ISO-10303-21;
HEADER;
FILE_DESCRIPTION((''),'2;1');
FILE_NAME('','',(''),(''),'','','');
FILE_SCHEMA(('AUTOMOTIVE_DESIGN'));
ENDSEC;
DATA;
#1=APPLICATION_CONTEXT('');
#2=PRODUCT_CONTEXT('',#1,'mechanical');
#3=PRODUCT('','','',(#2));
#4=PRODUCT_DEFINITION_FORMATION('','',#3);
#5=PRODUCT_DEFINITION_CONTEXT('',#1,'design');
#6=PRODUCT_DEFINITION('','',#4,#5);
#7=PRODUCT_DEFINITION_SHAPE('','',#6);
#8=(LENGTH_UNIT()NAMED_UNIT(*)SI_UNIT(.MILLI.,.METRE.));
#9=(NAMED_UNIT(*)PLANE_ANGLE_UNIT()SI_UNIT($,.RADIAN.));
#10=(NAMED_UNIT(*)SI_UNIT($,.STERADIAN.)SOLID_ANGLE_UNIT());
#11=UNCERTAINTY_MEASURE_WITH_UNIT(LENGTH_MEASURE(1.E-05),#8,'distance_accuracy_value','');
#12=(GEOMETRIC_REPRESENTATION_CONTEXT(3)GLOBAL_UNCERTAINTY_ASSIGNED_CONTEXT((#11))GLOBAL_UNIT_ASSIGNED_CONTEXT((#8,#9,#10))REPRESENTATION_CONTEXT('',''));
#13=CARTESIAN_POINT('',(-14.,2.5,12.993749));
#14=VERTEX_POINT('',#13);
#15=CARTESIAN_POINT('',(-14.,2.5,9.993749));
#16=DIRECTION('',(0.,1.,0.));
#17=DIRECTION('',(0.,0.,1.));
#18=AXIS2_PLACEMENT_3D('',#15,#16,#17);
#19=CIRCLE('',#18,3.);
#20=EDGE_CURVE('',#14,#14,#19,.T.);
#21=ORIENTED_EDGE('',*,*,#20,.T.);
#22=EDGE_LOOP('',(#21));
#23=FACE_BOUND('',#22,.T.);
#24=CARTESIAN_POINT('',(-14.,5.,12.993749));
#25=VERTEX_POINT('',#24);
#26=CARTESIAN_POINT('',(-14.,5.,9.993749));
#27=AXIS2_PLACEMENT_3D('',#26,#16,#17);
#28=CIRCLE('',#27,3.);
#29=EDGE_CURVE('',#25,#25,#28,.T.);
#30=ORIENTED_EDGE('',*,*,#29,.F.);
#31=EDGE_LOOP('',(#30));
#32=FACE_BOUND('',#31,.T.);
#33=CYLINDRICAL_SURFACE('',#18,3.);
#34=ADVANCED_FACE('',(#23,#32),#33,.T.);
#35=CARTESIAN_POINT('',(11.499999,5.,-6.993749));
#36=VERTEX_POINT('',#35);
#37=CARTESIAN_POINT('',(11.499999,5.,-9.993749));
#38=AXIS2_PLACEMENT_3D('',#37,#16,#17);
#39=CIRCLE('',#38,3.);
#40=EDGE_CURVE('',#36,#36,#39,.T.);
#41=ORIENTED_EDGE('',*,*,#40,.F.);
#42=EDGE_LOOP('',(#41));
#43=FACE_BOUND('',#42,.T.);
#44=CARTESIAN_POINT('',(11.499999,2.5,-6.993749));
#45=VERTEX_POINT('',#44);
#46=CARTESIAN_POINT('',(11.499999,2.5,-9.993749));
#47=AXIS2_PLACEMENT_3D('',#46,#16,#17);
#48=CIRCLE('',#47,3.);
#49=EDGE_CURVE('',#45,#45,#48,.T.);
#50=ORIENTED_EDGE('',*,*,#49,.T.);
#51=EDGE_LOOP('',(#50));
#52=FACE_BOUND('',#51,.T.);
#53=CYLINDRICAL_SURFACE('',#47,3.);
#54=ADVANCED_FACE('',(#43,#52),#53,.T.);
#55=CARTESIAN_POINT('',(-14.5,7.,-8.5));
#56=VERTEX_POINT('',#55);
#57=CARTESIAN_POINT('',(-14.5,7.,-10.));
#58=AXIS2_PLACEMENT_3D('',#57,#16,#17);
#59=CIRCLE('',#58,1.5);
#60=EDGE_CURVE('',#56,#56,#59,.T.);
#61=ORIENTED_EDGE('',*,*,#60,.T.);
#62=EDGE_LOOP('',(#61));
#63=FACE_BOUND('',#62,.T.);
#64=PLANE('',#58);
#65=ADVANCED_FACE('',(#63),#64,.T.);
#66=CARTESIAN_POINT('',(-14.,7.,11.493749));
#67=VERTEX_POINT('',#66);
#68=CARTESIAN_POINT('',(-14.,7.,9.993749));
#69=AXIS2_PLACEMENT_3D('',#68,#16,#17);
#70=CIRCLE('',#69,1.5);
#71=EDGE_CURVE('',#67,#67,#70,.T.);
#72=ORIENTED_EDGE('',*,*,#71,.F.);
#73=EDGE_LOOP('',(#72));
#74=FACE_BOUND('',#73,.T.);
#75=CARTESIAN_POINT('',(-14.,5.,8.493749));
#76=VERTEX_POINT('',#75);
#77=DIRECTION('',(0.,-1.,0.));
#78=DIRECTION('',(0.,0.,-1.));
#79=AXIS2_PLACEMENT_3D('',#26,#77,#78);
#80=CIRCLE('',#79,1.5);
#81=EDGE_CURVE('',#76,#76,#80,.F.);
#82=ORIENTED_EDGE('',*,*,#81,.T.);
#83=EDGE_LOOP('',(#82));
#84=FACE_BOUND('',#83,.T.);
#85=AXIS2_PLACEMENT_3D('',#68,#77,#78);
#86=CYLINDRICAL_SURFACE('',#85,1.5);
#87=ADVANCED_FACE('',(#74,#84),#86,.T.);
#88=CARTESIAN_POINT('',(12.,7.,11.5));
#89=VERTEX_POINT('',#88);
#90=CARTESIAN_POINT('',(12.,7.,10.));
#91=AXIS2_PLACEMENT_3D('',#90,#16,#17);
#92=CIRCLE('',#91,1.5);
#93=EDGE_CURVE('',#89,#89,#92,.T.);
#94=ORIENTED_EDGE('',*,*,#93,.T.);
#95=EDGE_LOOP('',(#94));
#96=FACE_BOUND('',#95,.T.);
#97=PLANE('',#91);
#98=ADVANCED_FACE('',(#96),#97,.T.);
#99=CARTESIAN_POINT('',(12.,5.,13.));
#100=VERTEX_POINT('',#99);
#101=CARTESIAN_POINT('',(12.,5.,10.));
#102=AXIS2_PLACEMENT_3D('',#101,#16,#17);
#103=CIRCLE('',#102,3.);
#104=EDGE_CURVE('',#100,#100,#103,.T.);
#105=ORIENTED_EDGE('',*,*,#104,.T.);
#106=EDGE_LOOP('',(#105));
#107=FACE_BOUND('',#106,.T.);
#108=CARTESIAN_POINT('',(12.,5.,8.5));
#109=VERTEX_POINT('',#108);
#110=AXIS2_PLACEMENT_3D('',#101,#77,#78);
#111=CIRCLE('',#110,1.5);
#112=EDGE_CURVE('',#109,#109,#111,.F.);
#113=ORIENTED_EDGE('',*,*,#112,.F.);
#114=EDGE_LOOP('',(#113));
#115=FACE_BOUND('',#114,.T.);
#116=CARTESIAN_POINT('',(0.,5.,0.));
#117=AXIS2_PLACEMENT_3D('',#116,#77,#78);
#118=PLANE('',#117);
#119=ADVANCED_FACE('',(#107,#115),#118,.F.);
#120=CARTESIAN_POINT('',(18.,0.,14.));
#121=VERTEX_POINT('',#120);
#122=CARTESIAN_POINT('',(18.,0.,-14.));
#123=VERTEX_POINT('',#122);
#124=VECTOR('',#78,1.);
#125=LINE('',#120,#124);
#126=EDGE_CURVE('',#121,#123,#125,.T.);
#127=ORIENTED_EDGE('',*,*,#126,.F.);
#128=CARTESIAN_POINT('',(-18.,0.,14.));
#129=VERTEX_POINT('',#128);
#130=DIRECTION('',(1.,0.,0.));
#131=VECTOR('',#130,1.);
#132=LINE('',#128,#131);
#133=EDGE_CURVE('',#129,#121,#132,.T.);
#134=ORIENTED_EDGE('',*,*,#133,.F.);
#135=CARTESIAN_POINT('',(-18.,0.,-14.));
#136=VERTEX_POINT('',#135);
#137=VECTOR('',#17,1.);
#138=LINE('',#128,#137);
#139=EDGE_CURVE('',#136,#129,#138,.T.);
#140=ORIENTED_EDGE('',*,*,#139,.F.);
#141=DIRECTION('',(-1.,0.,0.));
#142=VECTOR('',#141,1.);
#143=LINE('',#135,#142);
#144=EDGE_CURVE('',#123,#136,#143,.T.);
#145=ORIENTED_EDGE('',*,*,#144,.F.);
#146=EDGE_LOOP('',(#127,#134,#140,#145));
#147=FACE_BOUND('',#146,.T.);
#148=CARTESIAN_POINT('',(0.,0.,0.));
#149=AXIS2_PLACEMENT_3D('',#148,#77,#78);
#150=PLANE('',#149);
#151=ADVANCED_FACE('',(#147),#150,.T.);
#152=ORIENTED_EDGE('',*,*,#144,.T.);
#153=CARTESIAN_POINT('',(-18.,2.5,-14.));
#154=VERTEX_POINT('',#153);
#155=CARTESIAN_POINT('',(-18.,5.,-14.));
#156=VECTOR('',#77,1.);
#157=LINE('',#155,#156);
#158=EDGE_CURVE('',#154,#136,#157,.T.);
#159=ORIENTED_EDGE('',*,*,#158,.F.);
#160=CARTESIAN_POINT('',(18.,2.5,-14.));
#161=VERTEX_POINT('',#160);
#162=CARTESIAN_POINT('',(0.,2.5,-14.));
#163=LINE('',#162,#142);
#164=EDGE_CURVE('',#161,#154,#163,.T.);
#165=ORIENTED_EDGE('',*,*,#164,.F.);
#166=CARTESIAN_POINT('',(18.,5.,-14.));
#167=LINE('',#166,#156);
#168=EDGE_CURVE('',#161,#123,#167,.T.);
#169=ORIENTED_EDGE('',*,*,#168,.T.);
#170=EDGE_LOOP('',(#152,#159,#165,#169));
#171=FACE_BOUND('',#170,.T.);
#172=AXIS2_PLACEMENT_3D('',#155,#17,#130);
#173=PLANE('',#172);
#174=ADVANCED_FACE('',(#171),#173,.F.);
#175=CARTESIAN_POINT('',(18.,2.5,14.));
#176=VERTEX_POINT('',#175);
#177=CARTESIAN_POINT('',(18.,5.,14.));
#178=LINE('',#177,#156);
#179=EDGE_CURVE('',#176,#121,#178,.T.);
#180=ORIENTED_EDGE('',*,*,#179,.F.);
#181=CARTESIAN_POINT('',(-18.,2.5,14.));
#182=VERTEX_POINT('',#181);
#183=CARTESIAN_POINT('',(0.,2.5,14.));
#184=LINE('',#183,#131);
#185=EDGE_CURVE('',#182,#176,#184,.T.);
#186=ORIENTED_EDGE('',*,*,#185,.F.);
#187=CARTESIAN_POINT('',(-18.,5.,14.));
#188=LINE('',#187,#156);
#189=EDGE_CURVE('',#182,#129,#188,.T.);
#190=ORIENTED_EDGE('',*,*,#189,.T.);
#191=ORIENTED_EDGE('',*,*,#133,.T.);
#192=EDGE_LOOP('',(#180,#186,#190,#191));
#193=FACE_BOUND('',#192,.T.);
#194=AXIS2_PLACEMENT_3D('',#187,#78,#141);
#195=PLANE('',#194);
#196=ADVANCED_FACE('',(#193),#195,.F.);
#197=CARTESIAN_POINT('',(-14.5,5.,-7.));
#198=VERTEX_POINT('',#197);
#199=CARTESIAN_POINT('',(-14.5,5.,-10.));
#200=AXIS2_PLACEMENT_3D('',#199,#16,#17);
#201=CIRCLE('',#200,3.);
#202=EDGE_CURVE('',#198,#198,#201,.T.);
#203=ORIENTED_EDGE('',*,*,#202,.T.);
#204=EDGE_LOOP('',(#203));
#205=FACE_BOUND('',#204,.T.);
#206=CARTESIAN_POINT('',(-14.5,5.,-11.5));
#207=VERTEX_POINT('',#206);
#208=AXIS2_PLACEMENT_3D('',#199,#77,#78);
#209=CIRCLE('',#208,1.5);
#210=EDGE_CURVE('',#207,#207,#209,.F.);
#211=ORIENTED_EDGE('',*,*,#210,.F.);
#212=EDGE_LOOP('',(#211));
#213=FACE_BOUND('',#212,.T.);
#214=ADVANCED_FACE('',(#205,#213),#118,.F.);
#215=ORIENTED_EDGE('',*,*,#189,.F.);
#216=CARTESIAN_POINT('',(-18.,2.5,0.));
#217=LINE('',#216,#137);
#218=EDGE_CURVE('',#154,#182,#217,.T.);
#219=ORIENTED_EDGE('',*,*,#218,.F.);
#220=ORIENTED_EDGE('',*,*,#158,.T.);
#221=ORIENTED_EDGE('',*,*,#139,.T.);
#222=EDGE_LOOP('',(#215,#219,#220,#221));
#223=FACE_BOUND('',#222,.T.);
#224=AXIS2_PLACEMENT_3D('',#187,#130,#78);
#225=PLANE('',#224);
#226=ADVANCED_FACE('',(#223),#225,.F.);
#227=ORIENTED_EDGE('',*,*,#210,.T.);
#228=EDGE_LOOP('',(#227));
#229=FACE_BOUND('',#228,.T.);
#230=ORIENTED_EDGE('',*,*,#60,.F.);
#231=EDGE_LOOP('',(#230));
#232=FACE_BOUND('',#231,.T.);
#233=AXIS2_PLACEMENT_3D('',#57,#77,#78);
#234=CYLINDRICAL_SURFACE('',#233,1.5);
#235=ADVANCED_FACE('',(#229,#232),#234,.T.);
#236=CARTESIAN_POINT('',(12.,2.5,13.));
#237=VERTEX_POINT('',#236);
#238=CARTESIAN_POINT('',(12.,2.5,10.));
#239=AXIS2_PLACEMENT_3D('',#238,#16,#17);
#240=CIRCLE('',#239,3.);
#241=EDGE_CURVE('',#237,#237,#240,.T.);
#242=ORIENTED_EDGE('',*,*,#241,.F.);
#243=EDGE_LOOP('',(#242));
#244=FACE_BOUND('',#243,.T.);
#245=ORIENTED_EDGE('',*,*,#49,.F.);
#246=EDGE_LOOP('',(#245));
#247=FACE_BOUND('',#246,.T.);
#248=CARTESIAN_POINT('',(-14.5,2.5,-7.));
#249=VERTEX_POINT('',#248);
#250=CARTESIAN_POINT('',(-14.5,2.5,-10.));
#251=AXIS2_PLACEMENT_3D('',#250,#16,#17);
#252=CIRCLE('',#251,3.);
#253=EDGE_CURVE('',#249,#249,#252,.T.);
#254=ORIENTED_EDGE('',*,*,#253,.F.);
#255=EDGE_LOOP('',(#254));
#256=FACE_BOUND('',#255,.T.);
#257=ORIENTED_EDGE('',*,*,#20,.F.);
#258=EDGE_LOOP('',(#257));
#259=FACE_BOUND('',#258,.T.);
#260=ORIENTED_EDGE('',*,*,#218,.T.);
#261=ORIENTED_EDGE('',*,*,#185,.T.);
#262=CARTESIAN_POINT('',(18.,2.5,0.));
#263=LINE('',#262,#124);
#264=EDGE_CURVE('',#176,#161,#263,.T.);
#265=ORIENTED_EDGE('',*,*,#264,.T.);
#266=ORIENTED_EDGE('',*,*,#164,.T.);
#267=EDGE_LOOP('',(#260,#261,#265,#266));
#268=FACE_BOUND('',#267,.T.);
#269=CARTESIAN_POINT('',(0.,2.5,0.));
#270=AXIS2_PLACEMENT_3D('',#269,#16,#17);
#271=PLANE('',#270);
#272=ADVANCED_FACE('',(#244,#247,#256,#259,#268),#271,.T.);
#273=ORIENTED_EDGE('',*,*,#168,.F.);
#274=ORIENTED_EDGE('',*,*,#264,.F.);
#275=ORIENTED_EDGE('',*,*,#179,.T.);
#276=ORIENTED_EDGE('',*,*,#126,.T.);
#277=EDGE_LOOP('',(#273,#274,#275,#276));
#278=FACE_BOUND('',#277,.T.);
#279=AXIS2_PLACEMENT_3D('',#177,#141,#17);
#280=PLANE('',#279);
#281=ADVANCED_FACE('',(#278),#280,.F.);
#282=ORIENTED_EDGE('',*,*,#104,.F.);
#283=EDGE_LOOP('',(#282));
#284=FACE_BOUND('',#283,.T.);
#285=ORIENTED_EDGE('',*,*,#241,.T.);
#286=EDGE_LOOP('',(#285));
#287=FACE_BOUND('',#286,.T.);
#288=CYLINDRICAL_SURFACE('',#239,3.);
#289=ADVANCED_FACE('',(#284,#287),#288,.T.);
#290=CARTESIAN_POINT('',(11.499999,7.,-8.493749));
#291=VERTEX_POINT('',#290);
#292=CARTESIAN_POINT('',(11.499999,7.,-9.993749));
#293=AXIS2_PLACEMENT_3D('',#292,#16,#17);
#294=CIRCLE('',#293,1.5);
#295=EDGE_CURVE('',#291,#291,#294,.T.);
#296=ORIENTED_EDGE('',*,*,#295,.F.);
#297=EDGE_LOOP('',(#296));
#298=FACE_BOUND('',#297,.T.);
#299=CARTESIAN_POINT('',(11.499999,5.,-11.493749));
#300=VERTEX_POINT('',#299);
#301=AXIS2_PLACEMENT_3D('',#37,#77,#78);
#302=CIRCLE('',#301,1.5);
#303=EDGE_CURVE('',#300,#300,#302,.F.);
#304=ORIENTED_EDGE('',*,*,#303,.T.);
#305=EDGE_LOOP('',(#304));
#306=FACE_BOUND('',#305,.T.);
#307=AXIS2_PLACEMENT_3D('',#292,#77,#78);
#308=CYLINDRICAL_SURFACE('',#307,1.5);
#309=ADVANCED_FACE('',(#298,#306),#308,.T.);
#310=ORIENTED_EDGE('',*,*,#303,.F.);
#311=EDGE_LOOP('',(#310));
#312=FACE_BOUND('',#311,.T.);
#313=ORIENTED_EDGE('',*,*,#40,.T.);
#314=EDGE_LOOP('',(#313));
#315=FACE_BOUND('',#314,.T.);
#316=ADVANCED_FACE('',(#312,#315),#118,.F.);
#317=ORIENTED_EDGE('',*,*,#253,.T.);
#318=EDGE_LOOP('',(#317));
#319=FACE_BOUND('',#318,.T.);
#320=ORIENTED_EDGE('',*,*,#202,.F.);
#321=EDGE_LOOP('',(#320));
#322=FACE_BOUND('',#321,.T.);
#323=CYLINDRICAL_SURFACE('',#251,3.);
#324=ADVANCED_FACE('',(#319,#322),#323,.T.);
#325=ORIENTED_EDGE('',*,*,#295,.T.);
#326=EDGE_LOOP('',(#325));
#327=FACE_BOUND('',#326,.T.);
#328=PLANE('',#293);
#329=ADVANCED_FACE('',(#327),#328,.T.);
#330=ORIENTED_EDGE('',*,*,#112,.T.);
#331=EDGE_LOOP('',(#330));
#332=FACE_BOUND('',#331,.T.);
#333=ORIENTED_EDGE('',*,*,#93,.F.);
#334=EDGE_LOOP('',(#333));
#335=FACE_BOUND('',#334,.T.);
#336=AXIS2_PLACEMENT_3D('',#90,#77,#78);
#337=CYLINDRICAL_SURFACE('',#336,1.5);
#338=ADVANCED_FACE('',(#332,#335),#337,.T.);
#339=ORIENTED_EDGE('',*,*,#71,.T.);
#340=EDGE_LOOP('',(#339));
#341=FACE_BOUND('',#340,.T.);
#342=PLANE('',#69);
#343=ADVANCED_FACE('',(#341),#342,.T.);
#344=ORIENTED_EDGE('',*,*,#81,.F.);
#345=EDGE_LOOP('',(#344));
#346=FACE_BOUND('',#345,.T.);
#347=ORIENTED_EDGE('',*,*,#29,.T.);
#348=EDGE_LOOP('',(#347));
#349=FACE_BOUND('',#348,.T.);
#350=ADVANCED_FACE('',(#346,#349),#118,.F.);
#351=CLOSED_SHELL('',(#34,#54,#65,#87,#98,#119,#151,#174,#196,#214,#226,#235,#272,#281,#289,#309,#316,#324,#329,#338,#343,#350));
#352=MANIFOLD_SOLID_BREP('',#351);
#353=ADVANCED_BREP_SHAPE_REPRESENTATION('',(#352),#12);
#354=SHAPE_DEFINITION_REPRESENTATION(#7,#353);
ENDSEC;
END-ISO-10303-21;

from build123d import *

# Parameters (mm, degrees)
SKETCH1_W           = 36
SKETCH1_H           = 28
BOSS_EXTRUDE1_DEPTH = 5
SKETCH2_R           = 1.5
BOSS_EXTRUDE2_DEPTH = 2
SKETCH3_W           = 36
SKETCH3_H           = 28
SKETCH3_R           = 3
CUT_EXTRUDE3_DEPTH  = 2.5


with BuildPart() as part:
    # Sketch1 → Boss-Extrude1 (new body)
    with BuildSketch(Plane(origin=(0, 0, 0), x_dir=(1, 0, 0), z_dir=(0, 1, 0))):
        Rectangle(SKETCH1_W, SKETCH1_H)
    extrude(amount=BOSS_EXTRUDE1_DEPTH)

    # Sketch2 → Boss-Extrude2 (add)
    with BuildSketch(Plane(origin=(0, 5, 0), x_dir=(1, 0, 0), z_dir=(0, 1, 0))):
        with Locations(Location((-14.5, 10, 0), (0, 0, 90))):
            Circle(SKETCH2_R)
        with Locations(Location((-14, -9.993749023, 0), (0, 0, 90))):
            Circle(SKETCH2_R)
        with Locations(Location((12, -10, 0), (0, 0, 90))):
            Circle(SKETCH2_R)
        with Locations(Location((11.499999249, 9.993749004, 0), (0, 0, 90))):
            Circle(SKETCH2_R)
    extrude(amount=BOSS_EXTRUDE2_DEPTH)

    # Sketch3 → Cut-Extrude3 (cut)
    with BuildSketch(Plane(origin=(0, 5, 0), x_dir=(1, 0, 0), z_dir=(0, 1, 0))):
        Rectangle(SKETCH3_W, SKETCH3_H)
        with Locations(Location((11.499999249, 9.993749004, 0), (0, 0, 270))):
            Circle(SKETCH3_R, mode=Mode.SUBTRACT)
        with Locations(Location((12, -10, 0), (0, 0, 270))):
            Circle(SKETCH3_R, mode=Mode.SUBTRACT)
        with Locations(Location((-14, -9.993749023, 0), (0, 0, 270))):
            Circle(SKETCH3_R, mode=Mode.SUBTRACT)
        with Locations(Location((-14.5, 10, 0), (0, 0, 270))):
            Circle(SKETCH3_R, mode=Mode.SUBTRACT)
    extrude(amount=-CUT_EXTRUDE3_DEPTH, mode=Mode.SUBTRACT)


solid = part.part
